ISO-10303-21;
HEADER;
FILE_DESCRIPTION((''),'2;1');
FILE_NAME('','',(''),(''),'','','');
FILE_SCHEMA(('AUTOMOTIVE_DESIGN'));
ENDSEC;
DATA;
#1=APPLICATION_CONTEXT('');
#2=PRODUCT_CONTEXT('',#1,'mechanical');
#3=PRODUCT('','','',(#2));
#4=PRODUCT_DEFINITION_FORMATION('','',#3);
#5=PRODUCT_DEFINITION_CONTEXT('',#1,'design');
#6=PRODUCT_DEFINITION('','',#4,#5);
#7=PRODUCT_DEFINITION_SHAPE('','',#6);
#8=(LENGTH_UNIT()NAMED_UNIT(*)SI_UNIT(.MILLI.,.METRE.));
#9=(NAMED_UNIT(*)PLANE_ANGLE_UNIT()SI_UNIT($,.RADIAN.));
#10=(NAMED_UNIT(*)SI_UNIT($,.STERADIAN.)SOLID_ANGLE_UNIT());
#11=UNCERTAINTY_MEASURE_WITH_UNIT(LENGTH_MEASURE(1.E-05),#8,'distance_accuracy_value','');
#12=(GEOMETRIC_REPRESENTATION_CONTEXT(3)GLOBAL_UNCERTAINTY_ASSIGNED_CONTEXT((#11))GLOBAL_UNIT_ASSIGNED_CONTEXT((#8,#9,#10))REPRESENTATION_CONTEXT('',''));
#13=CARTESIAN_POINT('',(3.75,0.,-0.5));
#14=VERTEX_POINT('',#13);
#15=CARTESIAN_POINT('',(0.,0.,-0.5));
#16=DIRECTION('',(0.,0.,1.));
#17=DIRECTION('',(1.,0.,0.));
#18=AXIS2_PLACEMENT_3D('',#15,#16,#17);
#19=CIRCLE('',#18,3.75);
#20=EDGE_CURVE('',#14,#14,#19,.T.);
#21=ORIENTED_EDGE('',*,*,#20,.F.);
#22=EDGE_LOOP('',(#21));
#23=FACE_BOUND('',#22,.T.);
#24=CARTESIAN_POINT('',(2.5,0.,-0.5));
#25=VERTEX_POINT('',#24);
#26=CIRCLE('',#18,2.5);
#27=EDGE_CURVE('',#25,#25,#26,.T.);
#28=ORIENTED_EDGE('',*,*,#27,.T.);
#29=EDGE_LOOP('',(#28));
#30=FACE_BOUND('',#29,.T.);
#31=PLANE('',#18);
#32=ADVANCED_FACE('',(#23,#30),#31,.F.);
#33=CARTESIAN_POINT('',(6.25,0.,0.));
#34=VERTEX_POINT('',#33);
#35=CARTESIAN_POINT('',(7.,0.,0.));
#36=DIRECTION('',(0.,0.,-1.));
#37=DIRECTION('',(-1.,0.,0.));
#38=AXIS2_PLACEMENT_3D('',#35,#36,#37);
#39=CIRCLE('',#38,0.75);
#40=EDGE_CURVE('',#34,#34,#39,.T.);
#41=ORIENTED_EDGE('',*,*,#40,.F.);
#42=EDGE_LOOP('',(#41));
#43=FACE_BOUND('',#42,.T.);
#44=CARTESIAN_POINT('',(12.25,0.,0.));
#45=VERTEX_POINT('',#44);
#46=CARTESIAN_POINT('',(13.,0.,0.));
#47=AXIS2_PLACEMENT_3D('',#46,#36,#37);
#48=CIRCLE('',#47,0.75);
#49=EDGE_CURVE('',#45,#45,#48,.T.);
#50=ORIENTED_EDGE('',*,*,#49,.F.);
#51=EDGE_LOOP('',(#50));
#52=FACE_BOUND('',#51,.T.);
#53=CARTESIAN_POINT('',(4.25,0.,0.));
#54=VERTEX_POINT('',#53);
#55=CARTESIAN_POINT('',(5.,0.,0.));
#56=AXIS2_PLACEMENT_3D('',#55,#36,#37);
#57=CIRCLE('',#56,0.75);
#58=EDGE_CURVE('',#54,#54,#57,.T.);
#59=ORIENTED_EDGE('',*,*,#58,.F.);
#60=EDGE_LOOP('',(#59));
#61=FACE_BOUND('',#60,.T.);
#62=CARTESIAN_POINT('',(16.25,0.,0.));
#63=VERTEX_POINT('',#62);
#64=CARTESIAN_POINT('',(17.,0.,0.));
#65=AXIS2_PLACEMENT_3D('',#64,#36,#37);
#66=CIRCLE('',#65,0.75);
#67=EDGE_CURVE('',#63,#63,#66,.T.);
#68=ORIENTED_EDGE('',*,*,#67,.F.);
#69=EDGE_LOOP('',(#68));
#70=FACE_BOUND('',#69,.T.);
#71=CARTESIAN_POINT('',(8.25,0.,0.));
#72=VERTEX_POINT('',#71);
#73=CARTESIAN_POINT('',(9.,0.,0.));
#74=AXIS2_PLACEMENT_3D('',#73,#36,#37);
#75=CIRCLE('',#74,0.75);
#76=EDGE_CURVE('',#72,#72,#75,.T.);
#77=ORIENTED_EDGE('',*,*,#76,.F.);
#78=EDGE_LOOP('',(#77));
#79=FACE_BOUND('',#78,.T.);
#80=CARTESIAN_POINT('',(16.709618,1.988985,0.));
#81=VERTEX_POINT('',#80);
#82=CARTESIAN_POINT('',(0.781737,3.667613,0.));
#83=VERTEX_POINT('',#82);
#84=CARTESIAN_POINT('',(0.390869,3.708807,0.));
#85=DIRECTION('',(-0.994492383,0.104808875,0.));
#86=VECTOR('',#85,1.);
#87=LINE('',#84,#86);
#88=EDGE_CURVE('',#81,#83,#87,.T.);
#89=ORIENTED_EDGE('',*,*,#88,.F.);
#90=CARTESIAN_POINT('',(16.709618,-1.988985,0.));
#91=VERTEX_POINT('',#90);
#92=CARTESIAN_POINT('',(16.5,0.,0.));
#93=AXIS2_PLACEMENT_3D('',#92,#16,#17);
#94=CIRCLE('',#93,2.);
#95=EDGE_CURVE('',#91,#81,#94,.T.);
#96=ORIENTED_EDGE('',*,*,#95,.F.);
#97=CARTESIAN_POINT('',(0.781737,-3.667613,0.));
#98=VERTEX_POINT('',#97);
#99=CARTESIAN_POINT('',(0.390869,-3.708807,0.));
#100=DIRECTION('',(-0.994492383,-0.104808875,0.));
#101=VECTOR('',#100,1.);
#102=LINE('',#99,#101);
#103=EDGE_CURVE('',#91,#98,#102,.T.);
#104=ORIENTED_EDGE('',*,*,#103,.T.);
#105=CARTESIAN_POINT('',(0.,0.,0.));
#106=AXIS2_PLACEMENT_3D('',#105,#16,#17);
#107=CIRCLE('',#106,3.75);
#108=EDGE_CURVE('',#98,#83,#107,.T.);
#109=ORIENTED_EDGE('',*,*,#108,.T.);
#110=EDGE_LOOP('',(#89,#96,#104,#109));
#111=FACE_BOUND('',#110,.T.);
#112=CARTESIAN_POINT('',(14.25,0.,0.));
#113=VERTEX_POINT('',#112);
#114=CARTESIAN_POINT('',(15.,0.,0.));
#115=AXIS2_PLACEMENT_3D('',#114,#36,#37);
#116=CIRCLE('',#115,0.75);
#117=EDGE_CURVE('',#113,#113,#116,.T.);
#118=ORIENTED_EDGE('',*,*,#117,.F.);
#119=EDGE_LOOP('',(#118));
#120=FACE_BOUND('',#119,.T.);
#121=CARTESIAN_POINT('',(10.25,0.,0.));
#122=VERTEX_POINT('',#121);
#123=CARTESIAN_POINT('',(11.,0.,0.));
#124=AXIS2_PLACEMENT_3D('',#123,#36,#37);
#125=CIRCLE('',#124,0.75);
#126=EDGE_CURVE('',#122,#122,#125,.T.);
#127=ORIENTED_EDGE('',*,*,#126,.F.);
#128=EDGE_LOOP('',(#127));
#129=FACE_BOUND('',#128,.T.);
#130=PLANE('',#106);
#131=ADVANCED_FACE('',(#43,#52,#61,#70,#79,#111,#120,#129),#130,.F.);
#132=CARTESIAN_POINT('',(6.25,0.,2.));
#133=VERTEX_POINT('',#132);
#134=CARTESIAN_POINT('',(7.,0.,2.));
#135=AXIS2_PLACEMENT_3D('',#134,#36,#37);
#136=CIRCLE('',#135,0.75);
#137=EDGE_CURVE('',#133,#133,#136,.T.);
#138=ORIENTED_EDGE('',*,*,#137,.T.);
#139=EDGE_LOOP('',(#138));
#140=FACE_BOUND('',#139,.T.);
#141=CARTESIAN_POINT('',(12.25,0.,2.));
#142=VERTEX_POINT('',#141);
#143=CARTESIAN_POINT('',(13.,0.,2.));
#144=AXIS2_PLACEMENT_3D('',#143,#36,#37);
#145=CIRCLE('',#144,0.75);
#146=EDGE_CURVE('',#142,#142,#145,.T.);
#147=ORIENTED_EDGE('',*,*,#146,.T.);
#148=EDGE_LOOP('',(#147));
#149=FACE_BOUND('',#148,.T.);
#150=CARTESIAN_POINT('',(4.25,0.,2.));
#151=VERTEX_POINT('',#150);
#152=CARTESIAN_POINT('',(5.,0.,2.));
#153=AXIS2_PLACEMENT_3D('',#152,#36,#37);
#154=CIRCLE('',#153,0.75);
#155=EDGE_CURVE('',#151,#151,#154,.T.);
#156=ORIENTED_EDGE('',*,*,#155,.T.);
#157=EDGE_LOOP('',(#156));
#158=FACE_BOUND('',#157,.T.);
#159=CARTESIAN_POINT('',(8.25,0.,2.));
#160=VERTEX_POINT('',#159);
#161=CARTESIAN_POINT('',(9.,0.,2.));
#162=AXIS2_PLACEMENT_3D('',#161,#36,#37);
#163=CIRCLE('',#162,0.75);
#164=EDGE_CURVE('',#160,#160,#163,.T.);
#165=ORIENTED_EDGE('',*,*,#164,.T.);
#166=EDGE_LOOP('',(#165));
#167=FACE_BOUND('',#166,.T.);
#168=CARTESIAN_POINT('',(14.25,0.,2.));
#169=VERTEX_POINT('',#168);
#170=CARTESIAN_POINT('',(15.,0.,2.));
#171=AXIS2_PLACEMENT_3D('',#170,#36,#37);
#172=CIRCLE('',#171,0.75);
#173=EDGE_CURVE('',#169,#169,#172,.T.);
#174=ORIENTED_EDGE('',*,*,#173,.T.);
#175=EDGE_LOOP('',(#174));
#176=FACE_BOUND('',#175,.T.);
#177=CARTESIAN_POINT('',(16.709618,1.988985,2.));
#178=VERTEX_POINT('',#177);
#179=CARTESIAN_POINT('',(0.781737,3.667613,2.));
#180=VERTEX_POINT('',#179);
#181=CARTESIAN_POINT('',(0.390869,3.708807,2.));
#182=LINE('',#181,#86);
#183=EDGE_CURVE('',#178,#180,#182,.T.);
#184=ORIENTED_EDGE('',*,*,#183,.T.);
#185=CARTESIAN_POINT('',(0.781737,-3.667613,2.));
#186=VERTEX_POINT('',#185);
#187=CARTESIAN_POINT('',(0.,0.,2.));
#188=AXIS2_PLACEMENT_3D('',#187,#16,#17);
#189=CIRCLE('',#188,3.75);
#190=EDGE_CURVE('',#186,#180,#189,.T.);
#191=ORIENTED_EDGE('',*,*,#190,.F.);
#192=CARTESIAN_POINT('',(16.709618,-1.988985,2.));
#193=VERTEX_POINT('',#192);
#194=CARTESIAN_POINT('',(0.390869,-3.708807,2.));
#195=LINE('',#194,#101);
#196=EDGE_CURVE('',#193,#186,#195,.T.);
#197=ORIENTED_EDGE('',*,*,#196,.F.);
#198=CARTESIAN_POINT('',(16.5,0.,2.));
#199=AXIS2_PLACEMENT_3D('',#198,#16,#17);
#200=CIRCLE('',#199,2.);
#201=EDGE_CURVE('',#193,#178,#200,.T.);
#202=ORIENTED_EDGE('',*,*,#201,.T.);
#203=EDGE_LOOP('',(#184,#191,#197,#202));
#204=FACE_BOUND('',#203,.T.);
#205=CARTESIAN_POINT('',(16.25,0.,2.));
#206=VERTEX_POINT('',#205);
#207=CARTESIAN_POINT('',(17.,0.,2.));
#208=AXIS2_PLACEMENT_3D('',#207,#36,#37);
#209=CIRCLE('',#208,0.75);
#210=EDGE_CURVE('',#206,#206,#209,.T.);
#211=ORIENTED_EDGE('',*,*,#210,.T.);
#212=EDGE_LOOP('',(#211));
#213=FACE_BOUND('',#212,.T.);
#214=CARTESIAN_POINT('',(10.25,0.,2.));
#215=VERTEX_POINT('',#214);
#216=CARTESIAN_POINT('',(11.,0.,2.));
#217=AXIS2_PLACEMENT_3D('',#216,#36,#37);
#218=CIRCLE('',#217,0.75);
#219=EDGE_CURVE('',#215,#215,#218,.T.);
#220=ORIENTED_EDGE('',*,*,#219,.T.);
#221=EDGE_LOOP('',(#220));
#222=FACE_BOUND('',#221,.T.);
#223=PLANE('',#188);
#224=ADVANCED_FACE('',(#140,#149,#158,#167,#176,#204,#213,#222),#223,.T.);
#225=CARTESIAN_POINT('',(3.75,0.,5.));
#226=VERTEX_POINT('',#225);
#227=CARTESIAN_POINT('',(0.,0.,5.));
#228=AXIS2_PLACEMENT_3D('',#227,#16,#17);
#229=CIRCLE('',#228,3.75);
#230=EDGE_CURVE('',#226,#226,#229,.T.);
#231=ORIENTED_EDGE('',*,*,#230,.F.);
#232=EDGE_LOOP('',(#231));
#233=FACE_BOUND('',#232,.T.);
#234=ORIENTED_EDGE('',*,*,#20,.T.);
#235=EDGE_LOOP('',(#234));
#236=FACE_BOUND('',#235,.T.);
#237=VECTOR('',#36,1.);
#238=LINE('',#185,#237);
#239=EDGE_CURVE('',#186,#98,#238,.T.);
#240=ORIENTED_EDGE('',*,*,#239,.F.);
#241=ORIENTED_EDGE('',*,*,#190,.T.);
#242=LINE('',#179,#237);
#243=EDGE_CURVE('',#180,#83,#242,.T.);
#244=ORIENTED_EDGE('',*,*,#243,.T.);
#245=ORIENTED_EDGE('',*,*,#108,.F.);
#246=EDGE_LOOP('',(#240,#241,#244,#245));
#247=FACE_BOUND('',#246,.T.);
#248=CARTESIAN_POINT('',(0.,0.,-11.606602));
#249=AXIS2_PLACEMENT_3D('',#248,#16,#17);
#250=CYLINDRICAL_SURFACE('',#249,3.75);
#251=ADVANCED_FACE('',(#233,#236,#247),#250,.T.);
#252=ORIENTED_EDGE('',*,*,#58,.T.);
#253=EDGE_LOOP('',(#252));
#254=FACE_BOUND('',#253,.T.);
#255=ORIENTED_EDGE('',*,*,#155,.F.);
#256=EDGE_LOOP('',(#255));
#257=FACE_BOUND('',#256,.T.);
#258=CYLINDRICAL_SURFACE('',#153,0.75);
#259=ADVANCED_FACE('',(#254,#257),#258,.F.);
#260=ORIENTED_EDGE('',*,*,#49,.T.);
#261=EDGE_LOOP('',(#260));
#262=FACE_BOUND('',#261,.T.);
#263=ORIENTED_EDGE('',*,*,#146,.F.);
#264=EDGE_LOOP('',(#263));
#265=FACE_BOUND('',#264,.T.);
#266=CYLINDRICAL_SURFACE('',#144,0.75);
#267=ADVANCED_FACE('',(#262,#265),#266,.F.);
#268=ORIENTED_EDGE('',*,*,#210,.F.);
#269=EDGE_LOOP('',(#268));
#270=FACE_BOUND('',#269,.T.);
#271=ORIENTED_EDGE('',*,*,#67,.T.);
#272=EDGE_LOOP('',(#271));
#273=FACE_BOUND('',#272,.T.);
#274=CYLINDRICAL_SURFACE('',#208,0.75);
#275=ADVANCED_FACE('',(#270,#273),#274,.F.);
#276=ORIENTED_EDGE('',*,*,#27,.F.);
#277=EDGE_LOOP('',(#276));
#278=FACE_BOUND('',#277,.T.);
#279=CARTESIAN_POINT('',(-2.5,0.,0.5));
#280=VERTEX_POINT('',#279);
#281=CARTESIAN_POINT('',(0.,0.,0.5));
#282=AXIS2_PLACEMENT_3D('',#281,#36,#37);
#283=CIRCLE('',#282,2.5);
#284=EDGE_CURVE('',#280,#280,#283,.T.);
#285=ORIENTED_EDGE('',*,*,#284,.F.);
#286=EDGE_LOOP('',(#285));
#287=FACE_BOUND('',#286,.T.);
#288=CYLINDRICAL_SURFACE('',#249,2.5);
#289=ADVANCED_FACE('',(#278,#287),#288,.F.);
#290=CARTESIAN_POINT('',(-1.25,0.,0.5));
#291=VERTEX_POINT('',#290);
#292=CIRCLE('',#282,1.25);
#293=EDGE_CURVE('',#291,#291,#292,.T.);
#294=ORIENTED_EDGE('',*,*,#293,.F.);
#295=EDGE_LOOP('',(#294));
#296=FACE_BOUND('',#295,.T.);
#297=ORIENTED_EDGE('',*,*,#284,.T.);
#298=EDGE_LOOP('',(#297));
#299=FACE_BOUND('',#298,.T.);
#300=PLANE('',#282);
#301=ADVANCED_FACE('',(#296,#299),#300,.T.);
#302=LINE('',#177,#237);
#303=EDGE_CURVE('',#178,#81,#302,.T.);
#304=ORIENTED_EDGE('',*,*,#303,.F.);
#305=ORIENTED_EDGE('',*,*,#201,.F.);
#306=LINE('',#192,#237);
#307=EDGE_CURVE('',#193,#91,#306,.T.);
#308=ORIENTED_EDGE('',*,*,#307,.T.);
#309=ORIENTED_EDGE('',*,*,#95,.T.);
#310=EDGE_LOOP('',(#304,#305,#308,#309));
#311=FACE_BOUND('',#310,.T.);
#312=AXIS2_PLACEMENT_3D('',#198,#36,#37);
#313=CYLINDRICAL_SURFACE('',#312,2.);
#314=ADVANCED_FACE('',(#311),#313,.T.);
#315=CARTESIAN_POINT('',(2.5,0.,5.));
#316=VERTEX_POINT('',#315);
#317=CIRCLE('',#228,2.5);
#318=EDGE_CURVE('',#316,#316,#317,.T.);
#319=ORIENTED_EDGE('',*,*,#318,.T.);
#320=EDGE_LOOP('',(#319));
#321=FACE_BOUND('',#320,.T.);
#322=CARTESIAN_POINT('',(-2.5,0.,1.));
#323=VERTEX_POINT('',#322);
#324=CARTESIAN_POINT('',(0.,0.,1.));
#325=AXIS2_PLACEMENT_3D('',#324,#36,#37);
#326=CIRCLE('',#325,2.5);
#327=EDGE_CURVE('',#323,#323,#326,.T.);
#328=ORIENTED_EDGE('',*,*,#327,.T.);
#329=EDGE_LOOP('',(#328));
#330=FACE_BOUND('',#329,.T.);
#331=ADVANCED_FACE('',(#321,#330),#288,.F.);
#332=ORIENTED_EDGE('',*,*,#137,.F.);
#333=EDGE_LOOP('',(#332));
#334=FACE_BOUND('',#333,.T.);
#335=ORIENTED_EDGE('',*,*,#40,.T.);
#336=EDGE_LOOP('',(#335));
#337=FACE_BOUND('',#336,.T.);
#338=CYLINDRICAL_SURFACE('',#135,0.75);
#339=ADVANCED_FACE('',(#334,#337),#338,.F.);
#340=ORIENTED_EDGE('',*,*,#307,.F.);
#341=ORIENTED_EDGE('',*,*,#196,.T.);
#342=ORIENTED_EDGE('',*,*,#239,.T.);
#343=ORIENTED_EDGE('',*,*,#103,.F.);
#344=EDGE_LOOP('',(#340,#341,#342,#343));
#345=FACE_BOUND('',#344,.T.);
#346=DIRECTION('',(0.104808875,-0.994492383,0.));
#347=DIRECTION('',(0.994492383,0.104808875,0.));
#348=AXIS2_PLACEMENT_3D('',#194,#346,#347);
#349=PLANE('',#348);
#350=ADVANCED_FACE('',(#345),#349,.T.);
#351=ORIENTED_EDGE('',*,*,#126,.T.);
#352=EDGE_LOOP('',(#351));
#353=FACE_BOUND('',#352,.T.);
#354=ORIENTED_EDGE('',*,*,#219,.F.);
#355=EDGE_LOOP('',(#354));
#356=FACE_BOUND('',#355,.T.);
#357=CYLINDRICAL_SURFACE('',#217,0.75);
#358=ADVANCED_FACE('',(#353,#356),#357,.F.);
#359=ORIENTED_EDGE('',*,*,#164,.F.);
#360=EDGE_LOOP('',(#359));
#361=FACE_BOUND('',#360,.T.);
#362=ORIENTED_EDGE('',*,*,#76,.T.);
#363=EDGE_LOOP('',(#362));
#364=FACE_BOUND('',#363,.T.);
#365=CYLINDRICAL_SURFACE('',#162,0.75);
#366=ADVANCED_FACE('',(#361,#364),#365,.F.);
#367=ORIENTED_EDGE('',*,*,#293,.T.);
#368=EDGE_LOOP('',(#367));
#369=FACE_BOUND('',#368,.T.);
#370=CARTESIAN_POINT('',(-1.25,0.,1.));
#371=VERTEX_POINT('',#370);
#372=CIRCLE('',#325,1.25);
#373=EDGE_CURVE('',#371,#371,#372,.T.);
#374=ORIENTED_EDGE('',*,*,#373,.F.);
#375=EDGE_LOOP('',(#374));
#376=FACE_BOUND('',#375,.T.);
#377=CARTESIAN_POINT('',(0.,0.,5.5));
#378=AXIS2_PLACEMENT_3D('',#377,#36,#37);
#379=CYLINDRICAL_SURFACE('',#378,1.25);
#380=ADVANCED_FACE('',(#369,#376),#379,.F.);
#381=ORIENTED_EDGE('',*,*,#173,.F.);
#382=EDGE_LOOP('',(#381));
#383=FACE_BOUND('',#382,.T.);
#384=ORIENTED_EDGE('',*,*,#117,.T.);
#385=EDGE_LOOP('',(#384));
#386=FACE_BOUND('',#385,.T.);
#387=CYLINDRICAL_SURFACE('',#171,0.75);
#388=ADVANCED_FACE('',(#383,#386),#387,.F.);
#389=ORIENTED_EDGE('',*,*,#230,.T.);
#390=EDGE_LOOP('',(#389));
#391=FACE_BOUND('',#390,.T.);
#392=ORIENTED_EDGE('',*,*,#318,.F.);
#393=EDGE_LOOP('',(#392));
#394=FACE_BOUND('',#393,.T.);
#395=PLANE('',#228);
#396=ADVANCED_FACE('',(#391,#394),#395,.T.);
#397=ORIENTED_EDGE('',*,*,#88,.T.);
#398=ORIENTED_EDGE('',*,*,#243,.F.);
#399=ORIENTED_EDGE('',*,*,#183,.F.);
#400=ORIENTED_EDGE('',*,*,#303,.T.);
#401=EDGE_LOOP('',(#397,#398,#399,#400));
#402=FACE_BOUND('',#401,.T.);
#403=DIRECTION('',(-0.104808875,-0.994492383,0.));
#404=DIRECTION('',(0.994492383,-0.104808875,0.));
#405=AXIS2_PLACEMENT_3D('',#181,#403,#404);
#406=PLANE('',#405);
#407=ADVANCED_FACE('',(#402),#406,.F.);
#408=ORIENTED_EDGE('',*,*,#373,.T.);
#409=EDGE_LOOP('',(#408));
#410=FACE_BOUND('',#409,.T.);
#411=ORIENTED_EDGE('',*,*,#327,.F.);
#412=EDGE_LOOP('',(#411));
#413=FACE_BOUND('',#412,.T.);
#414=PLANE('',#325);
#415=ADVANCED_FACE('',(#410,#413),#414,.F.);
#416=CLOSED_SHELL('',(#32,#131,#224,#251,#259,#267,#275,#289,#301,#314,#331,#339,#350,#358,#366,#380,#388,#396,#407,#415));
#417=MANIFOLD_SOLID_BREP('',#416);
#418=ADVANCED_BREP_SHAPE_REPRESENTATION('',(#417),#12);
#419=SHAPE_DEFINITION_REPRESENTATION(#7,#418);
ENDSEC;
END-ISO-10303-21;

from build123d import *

# Parameters (mm, degrees)
EXTRUDE_3_DEPTH     = 2
SKETCH_2_R          = 3.75
SKETCH_2_R_2        = 2.5
EXTRUDE_5_DEPTH     = 3
SKETCH_3_R          = 3.75
SKETCH_3_R_2        = 2.5
EXTRUDE_6_DEPTH     = 2.5
SKETCH_4_R          = 0.75
CUT_EXTRUDE_1_DEPTH = 2
SKETCH_5_R          = 2.5
EXTRUDE_7_DEPTH     = 1
SKETCH_6_R          = 2.5
CUT_EXTRUDE_2_DEPTH = 0.5
SKETCH_7_R          = 1.25
CUT_EXTRUDE_3_DEPTH = 5


with BuildPart() as part:
    # Эскиз1 → Бобышка-Вытянуть3 (new body)
    with BuildSketch(Plane.XY):
        with BuildLine():
            Line((16.70961775, 1.988984766), (0.781737208, 3.667613248))
            ThreePointArc((0.781737208, 3.667613248), (2.914962652, 2.359129656), (3.75, 0))
            ThreePointArc((3.75, 0), (2.914962652, -2.359129656), (0.781737208, -3.667613248))
            Line((0.781737208, -3.667613248), (16.70961775, -1.988984766))
            ThreePointArc((16.70961775, -1.988984766), (18.5, 0), (16.70961775, 1.988984766))
        make_face()
    extrude(amount=EXTRUDE_3_DEPTH)



with BuildPart() as body_2:
    # Эскиз2 → Бобышка-Вытянуть5 (new body)
    with BuildSketch(Plane.XY.offset(2)):
        Circle(SKETCH_2_R)
        Circle(SKETCH_2_R_2, mode=Mode.SUBTRACT)
    extrude(amount=EXTRUDE_5_DEPTH)


with BuildPart() as part_1:
    add(part.part)

    add(body_2.part)  # Бобышка-Вытянуть6 merges body 2
    # Эскиз3 → Бобышка-Вытянуть6 (add)
    with BuildSketch(Plane(origin=(0, 0, 2), x_dir=(-1, 0, 0), z_dir=(0, 0, -1))):
        Circle(SKETCH_3_R)
        Circle(SKETCH_3_R_2, mode=Mode.SUBTRACT)
    extrude(amount=EXTRUDE_6_DEPTH)

    # Эскиз4 → Вырез-Вытянуть1 (cut)
    with BuildSketch(Plane(origin=(0, 0, 0), x_dir=(-1, 0, 0), z_dir=(0, 0, -1))):
        with Locations((-17, 0)):
            Circle(SKETCH_4_R)
        with Locations((-7, 0)):
            Circle(SKETCH_4_R)
        with Locations((-9, 0)):
            Circle(SKETCH_4_R)
        with Locations((-11, 0)):
            Circle(SKETCH_4_R)
        with Locations((-13, 0)):
            Circle(SKETCH_4_R)
        with Locations((-15, 0)):
            Circle(SKETCH_4_R)
        with Locations((-5, 0)):
            Circle(SKETCH_4_R)
    extrude(amount=-CUT_EXTRUDE_1_DEPTH, mode=Mode.SUBTRACT)

    # Эскиз5 → Бобышка-Вытянуть7 (add)
    with BuildSketch(Plane(origin=(0, 0, 0), x_dir=(-1, 0, 0), z_dir=(0, 0, -1))):
        Circle(SKETCH_5_R)
    extrude(amount=-EXTRUDE_7_DEPTH)

    # Эскиз6 → Вырез-Вытянуть2 (cut)
    with BuildSketch(Plane(origin=(0, 0, 0), x_dir=(-1, 0, 0), z_dir=(0, 0, -1))):
        Circle(SKETCH_6_R)
    extrude(amount=-CUT_EXTRUDE_2_DEPTH, mode=Mode.SUBTRACT)

    # Эскиз7 → Вырез-Вытянуть3 (cut)
    with BuildSketch(Plane(origin=(0, 0, 0.5), x_dir=(-1, 0, 0), z_dir=(0, 0, -1))):
        Circle(SKETCH_7_R)
    extrude(amount=-CUT_EXTRUDE_3_DEPTH, mode=Mode.SUBTRACT)


solid = part_1.part
